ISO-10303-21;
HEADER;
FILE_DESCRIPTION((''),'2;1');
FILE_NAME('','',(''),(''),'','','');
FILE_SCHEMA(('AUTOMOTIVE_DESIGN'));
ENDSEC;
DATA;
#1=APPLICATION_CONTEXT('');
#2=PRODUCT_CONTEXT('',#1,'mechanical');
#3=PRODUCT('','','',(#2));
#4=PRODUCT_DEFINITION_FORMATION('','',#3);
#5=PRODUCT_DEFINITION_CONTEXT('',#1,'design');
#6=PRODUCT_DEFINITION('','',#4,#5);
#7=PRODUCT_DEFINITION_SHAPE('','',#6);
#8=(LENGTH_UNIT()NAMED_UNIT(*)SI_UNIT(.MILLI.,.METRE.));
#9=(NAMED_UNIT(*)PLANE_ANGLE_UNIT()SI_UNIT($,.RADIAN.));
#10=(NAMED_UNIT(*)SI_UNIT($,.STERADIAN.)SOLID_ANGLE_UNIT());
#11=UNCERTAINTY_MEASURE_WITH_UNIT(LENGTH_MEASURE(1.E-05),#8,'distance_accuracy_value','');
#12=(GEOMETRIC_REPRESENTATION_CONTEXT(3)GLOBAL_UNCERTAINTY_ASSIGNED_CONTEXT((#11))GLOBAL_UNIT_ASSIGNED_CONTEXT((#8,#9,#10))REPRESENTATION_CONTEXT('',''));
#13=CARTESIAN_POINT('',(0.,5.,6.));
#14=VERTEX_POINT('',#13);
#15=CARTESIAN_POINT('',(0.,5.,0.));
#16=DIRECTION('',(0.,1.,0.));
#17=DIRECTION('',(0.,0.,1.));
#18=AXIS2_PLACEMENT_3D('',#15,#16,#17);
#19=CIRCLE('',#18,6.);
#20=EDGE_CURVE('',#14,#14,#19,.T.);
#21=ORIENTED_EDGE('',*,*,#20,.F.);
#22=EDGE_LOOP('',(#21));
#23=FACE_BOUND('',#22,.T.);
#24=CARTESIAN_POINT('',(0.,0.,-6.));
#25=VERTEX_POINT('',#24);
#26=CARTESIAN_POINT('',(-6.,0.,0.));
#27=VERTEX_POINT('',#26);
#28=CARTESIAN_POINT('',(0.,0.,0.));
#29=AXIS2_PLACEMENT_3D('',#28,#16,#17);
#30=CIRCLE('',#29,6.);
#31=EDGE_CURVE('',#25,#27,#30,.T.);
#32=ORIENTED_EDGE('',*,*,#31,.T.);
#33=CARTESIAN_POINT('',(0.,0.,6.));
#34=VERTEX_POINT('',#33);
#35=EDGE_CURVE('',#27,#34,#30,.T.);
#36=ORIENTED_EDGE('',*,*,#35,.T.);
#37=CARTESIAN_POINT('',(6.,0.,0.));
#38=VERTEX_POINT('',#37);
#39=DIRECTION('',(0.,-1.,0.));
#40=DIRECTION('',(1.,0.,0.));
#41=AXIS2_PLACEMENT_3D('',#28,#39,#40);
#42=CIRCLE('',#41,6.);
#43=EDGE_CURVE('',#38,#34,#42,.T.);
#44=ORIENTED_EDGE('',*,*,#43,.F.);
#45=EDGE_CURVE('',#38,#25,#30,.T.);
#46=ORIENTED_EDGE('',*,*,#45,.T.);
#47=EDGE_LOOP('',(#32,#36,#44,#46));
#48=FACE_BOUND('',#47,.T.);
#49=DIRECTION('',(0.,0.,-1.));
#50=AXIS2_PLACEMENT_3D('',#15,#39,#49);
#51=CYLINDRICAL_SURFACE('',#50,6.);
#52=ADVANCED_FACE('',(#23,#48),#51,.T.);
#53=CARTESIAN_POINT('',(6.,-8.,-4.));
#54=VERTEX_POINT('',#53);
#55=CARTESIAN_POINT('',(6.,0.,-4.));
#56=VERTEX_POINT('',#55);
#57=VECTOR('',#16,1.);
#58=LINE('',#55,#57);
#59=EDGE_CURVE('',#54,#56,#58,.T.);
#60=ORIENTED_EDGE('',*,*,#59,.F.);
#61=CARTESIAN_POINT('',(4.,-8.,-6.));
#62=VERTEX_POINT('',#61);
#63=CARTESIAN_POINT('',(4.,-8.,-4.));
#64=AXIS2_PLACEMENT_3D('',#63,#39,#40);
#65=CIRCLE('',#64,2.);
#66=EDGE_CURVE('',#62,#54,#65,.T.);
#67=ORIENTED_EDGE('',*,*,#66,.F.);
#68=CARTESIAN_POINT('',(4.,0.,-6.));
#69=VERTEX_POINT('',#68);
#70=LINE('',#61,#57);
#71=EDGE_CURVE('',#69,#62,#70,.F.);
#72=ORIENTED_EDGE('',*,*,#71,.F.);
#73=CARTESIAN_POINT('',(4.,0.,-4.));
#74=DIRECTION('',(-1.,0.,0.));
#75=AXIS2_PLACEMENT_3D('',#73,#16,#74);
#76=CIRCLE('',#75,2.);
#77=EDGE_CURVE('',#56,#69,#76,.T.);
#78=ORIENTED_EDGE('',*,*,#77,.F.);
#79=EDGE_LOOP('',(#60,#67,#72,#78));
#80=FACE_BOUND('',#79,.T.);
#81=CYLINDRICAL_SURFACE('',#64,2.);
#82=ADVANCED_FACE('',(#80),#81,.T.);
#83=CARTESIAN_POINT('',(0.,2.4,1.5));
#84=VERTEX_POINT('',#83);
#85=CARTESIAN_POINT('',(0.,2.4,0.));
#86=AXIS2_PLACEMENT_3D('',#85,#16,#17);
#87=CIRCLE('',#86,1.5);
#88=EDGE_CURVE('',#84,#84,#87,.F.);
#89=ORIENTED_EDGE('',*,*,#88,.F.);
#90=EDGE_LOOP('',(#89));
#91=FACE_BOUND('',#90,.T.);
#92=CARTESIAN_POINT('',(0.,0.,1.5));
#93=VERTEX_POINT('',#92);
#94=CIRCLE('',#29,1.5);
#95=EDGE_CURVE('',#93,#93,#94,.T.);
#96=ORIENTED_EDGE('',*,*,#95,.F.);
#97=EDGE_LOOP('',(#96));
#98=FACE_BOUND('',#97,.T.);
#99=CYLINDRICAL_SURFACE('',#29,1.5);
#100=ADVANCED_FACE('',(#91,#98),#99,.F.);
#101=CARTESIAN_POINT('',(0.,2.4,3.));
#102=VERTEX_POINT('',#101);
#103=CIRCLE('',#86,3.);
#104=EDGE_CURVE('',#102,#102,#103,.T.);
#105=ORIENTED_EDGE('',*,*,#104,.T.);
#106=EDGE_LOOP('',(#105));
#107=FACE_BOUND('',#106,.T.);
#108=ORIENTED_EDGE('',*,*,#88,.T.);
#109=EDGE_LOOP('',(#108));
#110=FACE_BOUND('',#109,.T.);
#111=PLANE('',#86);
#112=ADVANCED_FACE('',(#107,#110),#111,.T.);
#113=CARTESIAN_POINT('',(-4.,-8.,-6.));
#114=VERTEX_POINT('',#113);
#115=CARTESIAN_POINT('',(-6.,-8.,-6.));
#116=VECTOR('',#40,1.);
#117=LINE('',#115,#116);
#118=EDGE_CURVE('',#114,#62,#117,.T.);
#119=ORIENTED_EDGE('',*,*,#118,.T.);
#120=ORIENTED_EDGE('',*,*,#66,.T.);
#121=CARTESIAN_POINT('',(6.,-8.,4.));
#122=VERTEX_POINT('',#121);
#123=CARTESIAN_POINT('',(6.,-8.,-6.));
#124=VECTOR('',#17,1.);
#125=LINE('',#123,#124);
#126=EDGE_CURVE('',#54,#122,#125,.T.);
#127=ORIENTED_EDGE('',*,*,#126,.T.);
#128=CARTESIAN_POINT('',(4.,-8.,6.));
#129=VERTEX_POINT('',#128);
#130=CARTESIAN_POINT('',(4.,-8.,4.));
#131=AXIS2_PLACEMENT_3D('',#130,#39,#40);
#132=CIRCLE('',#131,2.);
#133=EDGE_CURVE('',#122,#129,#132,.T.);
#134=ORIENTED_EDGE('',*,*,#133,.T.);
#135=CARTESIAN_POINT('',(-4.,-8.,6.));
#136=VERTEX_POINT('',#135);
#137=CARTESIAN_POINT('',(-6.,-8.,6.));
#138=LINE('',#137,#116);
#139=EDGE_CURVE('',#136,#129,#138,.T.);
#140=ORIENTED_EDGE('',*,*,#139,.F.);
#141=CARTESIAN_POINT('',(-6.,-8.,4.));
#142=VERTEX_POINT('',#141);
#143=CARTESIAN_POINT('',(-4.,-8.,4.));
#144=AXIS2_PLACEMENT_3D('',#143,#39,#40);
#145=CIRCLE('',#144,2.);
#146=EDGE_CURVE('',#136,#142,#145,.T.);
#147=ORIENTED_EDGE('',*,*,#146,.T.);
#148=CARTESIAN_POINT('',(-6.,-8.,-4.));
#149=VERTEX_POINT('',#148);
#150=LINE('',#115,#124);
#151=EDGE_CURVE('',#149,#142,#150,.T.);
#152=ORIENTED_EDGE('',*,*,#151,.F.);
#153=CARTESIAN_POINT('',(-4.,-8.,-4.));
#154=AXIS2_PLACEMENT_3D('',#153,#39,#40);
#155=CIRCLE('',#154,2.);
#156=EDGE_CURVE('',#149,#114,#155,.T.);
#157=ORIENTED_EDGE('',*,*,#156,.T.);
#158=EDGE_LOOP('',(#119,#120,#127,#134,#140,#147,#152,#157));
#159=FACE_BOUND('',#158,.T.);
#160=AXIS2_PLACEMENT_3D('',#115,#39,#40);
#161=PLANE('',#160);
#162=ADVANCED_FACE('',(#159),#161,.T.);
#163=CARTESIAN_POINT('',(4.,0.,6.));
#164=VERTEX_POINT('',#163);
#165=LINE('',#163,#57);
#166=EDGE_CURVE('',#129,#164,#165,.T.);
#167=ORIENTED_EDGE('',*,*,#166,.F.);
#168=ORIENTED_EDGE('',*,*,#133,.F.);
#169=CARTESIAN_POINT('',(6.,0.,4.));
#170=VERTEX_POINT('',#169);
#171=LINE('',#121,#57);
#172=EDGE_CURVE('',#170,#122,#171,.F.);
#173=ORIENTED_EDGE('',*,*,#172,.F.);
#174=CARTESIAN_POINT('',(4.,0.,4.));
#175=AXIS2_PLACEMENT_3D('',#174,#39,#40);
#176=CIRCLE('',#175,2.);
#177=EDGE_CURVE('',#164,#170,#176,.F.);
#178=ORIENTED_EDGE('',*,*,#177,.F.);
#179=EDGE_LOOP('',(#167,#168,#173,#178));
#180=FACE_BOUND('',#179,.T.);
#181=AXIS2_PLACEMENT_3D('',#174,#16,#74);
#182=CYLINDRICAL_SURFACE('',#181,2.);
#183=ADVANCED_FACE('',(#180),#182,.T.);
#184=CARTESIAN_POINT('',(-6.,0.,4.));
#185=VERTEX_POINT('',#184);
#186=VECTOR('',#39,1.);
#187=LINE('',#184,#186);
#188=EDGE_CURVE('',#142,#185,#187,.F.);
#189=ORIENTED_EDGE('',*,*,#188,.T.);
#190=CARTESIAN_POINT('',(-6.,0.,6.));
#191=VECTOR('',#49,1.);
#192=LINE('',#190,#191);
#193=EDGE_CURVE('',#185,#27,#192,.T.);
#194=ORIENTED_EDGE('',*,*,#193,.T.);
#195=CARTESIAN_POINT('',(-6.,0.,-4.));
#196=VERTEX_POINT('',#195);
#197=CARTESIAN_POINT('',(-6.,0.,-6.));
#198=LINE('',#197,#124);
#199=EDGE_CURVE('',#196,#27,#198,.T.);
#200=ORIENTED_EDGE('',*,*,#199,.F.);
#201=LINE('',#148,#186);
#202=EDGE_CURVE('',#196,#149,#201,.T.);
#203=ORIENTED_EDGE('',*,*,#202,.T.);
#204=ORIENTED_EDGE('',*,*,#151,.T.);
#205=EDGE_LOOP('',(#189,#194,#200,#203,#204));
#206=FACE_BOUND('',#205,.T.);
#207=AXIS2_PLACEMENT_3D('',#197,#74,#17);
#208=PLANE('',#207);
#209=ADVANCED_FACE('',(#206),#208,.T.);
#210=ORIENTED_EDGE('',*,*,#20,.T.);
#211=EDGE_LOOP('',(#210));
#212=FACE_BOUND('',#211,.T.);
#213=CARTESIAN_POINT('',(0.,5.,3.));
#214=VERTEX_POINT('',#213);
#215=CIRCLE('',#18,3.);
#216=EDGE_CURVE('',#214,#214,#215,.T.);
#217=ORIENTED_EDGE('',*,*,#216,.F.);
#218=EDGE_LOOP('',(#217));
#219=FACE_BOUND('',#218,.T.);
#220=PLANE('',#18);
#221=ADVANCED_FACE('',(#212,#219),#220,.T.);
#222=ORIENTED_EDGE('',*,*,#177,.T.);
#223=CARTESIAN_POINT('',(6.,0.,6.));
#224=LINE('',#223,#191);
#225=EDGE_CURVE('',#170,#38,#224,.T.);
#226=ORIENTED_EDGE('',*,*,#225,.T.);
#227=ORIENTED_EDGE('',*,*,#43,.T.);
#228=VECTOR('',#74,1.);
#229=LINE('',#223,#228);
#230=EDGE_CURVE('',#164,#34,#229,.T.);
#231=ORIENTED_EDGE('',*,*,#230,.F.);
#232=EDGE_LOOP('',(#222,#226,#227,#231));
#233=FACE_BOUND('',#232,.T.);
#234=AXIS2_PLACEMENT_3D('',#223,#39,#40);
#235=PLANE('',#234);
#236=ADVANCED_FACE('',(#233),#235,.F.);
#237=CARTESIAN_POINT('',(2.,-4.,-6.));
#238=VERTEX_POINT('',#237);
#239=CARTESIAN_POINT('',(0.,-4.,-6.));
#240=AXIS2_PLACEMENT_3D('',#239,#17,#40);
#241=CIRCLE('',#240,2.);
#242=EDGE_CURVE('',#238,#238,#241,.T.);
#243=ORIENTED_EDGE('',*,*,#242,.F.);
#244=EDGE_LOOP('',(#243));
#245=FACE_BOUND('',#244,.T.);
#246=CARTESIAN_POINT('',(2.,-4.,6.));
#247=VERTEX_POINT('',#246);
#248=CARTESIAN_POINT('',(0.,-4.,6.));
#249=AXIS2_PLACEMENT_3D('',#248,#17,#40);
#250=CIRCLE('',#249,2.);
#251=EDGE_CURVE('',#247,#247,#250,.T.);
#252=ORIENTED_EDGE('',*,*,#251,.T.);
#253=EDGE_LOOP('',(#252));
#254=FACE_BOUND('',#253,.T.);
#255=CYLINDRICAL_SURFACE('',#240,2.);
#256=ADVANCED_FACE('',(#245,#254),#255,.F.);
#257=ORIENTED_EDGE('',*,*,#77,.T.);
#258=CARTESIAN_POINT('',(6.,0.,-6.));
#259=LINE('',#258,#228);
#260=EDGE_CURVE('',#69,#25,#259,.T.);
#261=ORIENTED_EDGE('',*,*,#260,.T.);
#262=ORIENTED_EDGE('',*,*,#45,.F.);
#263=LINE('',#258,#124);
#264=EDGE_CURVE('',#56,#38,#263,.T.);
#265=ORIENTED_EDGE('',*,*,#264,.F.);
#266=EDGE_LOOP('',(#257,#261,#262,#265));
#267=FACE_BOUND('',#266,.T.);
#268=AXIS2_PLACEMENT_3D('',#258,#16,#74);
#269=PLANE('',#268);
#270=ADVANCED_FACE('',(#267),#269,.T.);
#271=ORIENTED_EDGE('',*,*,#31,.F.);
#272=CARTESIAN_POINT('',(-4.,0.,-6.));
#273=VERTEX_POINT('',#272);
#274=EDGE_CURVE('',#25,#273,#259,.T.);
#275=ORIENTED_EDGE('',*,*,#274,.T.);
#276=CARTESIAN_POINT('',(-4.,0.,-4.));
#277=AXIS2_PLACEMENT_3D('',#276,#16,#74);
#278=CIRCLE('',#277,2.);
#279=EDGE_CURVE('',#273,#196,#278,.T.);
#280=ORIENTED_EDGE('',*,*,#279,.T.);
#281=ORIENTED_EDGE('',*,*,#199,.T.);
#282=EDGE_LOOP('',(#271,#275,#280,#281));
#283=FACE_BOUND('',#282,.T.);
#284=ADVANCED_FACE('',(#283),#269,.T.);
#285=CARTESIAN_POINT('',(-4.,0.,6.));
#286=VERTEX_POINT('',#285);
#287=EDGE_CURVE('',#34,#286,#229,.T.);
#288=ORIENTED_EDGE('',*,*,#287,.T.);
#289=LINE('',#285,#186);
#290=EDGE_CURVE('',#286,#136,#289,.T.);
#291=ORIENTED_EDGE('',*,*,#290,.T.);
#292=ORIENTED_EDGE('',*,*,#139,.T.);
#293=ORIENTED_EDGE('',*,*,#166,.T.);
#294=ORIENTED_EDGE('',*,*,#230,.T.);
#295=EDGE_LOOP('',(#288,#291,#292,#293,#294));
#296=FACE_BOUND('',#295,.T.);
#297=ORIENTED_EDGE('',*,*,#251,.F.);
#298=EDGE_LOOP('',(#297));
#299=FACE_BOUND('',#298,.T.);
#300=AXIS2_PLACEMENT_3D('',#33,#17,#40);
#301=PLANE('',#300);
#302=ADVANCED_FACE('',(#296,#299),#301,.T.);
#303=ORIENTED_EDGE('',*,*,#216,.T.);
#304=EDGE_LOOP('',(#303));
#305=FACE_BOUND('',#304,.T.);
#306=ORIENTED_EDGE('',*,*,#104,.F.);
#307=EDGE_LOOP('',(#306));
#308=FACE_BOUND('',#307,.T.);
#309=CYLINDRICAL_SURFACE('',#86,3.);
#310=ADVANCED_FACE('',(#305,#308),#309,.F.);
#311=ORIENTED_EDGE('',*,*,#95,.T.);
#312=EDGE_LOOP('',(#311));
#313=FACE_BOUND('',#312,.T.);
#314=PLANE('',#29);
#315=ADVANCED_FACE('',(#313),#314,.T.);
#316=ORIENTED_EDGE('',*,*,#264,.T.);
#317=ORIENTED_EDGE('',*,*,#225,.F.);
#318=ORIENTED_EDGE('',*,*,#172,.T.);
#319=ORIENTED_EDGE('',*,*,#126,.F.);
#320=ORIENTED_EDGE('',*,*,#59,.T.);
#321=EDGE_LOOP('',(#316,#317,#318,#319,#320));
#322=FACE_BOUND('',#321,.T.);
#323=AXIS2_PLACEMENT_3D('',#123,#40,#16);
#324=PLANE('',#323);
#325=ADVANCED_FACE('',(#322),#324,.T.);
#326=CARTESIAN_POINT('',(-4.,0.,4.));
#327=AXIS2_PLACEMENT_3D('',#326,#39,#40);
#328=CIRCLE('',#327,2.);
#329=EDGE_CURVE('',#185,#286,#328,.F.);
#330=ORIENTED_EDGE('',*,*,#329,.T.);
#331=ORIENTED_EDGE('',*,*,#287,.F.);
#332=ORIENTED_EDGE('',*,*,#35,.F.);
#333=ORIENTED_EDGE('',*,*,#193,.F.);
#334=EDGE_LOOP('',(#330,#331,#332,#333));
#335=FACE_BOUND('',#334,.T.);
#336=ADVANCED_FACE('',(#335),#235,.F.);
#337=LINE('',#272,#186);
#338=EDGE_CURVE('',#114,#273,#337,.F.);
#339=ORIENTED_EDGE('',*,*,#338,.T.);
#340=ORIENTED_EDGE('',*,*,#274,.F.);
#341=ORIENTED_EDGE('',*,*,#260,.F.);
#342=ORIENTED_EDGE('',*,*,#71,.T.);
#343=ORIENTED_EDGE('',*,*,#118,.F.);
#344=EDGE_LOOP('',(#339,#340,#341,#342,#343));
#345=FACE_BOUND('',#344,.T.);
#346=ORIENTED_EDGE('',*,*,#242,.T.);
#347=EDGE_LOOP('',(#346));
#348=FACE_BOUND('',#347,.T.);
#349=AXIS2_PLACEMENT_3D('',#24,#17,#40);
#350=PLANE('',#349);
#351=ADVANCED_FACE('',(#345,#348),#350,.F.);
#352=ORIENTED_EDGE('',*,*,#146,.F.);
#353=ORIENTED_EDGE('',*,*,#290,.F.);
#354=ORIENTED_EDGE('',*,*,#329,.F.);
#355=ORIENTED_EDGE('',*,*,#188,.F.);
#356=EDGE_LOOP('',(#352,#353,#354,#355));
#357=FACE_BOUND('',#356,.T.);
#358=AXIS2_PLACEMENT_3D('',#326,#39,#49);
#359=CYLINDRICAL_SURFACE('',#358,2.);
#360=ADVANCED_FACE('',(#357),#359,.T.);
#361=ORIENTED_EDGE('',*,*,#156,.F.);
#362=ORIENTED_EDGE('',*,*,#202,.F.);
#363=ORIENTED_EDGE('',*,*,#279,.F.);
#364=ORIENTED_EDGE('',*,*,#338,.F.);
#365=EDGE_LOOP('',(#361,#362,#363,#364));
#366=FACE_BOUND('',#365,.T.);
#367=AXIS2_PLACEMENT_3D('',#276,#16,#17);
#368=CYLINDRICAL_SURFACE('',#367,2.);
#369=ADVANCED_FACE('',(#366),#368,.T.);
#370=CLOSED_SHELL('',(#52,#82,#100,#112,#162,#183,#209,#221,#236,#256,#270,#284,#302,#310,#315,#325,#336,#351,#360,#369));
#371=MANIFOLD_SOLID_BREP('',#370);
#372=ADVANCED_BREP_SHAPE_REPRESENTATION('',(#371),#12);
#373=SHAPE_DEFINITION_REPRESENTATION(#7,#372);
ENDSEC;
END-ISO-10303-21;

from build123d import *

# Parameters (mm, degrees)
SKETCH_1_R          = 6
EXTRUDE_1_DEPTH     = 5
SKETCH_2_W          = 12
SKETCH_2_H          = 8
EXTRUDE_2_DEPTH     = 6
SKETCH_2_2_W        = 12
SKETCH_2_2_H        = 8
EXTRUDE_3_DEPTH     = 6
SKETCH_3_R          = 2
CUT_EXTRUDE_1_DEPTH = 16.620499352
SKETCH_4_R          = 1.5
CUT_EXTRUDE_2_DEPTH = 5
FILLET_1_R          = 2
SKETCH_5_R          = 3
CUT_EXTRUDE_4_DEPTH = 2.6


with BuildPart() as part:
    # 草图1 → 凸台-拉伸1 (new body)
    with BuildSketch(Plane(origin=(0, 0, 0), x_dir=(1, 0, 0), z_dir=(0, 1, 0))):
        Circle(SKETCH_1_R)
    extrude(amount=EXTRUDE_1_DEPTH)

    # 草图2 → 凸台-拉伸2 (add)
    with BuildSketch(Plane.XY):
        with Locations((0, -4)):
            Rectangle(SKETCH_2_W, SKETCH_2_H)
    extrude(amount=-EXTRUDE_2_DEPTH)

    # 草图2<2> → 凸台-拉伸3 (add)
    with BuildSketch(Plane.XY):
        with Locations((0, -4)):
            Rectangle(SKETCH_2_2_W, SKETCH_2_2_H)
    extrude(amount=EXTRUDE_3_DEPTH)

    # 草图3 → 切除-拉伸1 (cut, through all)
    with BuildSketch(Plane.XY.offset(6)):
        with Locations((0, -4)):
            Circle(SKETCH_3_R)
    extrude(amount=-CUT_EXTRUDE_1_DEPTH, mode=Mode.SUBTRACT)

    # 草图4 → 切除-拉伸2 (cut)
    with BuildSketch(Plane(origin=(0, 5, 0), x_dir=(1, 0, 0), z_dir=(0, 1, 0))):
        Circle(SKETCH_4_R)
    extrude(amount=-CUT_EXTRUDE_2_DEPTH, mode=Mode.SUBTRACT)

    # 圆角1
    fillet_1_edges = [part.edges().sort_by_distance(p)[0] for p in [
        (-6, -4, -6),
        (6, -4, -6),
        (6, -4, 6),
        (-6, -4, 6),
    ]]
    fillet(fillet_1_edges, radius=FILLET_1_R)

    # 草图5 → 切除-拉伸4 (cut)
    with BuildSketch(Plane(origin=(0, 5, 0), x_dir=(1, 0, 0), z_dir=(0, 1, 0))):
        Circle(SKETCH_5_R)
    extrude(amount=-CUT_EXTRUDE_4_DEPTH, mode=Mode.SUBTRACT)


solid = part.part
